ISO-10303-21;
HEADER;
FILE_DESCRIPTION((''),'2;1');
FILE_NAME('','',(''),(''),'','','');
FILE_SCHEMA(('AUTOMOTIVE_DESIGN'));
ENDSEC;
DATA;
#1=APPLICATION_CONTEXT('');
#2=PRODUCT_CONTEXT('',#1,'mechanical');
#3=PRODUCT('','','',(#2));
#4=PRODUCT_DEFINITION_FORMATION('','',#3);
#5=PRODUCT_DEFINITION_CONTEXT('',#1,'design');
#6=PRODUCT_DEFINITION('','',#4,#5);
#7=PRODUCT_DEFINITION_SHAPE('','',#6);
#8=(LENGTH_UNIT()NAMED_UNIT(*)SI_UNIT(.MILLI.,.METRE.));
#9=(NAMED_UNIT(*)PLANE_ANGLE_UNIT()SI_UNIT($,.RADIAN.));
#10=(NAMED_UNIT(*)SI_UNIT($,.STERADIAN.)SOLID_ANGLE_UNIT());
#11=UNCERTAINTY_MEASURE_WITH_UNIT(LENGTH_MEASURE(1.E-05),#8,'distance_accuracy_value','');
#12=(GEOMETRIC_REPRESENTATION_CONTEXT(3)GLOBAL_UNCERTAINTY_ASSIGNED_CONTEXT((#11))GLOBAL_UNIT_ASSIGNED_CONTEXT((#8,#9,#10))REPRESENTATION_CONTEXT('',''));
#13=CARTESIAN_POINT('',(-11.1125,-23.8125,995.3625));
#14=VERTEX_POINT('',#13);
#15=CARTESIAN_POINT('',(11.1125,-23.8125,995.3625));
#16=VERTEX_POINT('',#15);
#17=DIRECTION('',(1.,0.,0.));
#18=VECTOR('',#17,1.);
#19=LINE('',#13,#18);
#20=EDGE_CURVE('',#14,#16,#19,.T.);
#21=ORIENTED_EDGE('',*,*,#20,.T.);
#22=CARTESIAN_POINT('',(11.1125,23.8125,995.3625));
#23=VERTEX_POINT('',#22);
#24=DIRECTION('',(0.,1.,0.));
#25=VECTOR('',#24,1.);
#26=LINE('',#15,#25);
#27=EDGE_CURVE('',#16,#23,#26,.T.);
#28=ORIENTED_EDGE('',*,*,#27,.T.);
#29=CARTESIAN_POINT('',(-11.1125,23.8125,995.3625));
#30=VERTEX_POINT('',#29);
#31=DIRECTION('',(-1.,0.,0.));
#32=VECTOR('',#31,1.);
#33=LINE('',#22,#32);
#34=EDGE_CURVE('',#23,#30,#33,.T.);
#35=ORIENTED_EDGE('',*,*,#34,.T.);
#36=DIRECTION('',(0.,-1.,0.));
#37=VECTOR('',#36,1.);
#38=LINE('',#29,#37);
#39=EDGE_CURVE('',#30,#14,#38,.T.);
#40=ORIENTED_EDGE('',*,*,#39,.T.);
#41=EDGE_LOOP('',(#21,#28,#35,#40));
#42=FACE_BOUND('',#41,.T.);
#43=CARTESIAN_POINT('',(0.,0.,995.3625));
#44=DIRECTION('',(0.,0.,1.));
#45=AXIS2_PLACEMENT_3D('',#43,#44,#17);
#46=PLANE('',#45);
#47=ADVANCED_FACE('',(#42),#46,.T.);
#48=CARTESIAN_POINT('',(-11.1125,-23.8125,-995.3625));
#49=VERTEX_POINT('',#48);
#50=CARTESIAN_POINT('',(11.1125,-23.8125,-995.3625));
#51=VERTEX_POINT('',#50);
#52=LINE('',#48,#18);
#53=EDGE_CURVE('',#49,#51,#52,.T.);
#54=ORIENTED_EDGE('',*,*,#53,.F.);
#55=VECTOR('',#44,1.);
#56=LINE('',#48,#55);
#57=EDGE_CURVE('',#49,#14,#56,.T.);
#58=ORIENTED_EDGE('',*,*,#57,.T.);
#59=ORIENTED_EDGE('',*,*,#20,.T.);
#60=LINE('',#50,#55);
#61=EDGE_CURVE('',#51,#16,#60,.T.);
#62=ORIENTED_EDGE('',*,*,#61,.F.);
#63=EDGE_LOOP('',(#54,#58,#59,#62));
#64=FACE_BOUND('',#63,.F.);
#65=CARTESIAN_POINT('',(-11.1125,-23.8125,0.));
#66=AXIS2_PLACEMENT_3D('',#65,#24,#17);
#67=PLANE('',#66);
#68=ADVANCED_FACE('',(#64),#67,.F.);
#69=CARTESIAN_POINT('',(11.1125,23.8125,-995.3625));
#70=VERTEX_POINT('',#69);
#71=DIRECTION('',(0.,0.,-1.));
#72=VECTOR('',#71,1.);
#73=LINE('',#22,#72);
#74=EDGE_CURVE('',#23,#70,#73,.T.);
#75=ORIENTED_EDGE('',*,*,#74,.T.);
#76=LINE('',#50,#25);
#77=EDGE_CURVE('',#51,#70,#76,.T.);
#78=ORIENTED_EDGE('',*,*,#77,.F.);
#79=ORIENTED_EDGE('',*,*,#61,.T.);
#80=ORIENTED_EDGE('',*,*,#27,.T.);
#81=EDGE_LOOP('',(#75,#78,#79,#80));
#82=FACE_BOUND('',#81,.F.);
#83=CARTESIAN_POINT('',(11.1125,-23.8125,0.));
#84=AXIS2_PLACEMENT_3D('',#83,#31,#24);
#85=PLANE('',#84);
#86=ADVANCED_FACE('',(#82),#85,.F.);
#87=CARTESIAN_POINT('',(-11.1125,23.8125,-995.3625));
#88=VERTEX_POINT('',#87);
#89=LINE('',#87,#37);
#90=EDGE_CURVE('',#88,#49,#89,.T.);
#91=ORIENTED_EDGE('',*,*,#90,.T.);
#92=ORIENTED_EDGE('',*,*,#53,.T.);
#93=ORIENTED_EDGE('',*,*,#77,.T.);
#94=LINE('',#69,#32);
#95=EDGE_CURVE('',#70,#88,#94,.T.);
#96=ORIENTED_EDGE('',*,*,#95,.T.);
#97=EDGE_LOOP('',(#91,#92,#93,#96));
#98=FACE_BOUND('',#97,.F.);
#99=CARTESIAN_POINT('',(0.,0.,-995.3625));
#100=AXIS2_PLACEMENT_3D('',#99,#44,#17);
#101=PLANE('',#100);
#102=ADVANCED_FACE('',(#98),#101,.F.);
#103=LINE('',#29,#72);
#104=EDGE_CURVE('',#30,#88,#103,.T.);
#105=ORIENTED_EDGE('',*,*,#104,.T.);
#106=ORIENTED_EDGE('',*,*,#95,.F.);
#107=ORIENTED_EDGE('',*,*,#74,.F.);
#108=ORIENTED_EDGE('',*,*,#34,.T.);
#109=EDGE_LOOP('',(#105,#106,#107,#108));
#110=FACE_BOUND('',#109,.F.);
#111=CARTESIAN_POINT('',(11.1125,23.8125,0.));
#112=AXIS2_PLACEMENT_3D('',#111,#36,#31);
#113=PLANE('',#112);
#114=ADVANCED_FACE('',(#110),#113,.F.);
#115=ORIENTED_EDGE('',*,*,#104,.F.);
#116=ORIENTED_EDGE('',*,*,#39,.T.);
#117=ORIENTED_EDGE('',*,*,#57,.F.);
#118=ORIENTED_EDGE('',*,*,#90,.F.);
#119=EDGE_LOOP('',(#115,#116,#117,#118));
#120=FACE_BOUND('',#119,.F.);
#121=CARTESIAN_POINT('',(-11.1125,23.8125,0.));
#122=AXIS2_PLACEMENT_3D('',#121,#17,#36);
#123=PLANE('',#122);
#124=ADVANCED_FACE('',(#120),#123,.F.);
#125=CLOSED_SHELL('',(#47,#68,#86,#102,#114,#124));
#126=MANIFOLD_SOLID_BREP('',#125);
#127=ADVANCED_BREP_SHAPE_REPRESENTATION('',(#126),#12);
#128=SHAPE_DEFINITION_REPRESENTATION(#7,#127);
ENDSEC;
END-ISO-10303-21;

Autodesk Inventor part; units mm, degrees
ref_plane "YZ Plane" through (0, 0, 0) normal (1, 0, 0) x (0, 1, 0)
ref_plane "XZ Plane" through (0, 0, 0) normal (0, 1, 0) x (-1, 0, 0)
ref_plane "XY Plane" through (0, 0, 0) normal (0, 0, 1) x (1, 0, 0)
sketch "Sketch1" plane through (0, 0, 0) normal (0, 0, 1) x (1, 0, 0)
  line L0 (-11.1125, -23.8125) -> (11.1125, -23.8125)
  line L1 (11.1125, -23.8125) -> (11.1125, 23.8125)
  line L2 (11.1125, 23.8125) -> (-11.1125, 23.8125)
  line L3 (-11.1125, 23.8125) -> (-11.1125, -23.8125)
  line L4 (-11.1125, -23.8125) -> (11.1125, 23.8125) construction
  line L5 (11.1125, -23.8125) -> (-11.1125, 23.8125) construction
  point P0 (0, 0)
  dimension "d0" = 22.225
  dimension "d1" = 47.625
extrude "Extrusion1" add sketch "Sketch1" along normal mid plane 1990.725
properties part number "Suspension Rail" material "Wood (Birch)"
